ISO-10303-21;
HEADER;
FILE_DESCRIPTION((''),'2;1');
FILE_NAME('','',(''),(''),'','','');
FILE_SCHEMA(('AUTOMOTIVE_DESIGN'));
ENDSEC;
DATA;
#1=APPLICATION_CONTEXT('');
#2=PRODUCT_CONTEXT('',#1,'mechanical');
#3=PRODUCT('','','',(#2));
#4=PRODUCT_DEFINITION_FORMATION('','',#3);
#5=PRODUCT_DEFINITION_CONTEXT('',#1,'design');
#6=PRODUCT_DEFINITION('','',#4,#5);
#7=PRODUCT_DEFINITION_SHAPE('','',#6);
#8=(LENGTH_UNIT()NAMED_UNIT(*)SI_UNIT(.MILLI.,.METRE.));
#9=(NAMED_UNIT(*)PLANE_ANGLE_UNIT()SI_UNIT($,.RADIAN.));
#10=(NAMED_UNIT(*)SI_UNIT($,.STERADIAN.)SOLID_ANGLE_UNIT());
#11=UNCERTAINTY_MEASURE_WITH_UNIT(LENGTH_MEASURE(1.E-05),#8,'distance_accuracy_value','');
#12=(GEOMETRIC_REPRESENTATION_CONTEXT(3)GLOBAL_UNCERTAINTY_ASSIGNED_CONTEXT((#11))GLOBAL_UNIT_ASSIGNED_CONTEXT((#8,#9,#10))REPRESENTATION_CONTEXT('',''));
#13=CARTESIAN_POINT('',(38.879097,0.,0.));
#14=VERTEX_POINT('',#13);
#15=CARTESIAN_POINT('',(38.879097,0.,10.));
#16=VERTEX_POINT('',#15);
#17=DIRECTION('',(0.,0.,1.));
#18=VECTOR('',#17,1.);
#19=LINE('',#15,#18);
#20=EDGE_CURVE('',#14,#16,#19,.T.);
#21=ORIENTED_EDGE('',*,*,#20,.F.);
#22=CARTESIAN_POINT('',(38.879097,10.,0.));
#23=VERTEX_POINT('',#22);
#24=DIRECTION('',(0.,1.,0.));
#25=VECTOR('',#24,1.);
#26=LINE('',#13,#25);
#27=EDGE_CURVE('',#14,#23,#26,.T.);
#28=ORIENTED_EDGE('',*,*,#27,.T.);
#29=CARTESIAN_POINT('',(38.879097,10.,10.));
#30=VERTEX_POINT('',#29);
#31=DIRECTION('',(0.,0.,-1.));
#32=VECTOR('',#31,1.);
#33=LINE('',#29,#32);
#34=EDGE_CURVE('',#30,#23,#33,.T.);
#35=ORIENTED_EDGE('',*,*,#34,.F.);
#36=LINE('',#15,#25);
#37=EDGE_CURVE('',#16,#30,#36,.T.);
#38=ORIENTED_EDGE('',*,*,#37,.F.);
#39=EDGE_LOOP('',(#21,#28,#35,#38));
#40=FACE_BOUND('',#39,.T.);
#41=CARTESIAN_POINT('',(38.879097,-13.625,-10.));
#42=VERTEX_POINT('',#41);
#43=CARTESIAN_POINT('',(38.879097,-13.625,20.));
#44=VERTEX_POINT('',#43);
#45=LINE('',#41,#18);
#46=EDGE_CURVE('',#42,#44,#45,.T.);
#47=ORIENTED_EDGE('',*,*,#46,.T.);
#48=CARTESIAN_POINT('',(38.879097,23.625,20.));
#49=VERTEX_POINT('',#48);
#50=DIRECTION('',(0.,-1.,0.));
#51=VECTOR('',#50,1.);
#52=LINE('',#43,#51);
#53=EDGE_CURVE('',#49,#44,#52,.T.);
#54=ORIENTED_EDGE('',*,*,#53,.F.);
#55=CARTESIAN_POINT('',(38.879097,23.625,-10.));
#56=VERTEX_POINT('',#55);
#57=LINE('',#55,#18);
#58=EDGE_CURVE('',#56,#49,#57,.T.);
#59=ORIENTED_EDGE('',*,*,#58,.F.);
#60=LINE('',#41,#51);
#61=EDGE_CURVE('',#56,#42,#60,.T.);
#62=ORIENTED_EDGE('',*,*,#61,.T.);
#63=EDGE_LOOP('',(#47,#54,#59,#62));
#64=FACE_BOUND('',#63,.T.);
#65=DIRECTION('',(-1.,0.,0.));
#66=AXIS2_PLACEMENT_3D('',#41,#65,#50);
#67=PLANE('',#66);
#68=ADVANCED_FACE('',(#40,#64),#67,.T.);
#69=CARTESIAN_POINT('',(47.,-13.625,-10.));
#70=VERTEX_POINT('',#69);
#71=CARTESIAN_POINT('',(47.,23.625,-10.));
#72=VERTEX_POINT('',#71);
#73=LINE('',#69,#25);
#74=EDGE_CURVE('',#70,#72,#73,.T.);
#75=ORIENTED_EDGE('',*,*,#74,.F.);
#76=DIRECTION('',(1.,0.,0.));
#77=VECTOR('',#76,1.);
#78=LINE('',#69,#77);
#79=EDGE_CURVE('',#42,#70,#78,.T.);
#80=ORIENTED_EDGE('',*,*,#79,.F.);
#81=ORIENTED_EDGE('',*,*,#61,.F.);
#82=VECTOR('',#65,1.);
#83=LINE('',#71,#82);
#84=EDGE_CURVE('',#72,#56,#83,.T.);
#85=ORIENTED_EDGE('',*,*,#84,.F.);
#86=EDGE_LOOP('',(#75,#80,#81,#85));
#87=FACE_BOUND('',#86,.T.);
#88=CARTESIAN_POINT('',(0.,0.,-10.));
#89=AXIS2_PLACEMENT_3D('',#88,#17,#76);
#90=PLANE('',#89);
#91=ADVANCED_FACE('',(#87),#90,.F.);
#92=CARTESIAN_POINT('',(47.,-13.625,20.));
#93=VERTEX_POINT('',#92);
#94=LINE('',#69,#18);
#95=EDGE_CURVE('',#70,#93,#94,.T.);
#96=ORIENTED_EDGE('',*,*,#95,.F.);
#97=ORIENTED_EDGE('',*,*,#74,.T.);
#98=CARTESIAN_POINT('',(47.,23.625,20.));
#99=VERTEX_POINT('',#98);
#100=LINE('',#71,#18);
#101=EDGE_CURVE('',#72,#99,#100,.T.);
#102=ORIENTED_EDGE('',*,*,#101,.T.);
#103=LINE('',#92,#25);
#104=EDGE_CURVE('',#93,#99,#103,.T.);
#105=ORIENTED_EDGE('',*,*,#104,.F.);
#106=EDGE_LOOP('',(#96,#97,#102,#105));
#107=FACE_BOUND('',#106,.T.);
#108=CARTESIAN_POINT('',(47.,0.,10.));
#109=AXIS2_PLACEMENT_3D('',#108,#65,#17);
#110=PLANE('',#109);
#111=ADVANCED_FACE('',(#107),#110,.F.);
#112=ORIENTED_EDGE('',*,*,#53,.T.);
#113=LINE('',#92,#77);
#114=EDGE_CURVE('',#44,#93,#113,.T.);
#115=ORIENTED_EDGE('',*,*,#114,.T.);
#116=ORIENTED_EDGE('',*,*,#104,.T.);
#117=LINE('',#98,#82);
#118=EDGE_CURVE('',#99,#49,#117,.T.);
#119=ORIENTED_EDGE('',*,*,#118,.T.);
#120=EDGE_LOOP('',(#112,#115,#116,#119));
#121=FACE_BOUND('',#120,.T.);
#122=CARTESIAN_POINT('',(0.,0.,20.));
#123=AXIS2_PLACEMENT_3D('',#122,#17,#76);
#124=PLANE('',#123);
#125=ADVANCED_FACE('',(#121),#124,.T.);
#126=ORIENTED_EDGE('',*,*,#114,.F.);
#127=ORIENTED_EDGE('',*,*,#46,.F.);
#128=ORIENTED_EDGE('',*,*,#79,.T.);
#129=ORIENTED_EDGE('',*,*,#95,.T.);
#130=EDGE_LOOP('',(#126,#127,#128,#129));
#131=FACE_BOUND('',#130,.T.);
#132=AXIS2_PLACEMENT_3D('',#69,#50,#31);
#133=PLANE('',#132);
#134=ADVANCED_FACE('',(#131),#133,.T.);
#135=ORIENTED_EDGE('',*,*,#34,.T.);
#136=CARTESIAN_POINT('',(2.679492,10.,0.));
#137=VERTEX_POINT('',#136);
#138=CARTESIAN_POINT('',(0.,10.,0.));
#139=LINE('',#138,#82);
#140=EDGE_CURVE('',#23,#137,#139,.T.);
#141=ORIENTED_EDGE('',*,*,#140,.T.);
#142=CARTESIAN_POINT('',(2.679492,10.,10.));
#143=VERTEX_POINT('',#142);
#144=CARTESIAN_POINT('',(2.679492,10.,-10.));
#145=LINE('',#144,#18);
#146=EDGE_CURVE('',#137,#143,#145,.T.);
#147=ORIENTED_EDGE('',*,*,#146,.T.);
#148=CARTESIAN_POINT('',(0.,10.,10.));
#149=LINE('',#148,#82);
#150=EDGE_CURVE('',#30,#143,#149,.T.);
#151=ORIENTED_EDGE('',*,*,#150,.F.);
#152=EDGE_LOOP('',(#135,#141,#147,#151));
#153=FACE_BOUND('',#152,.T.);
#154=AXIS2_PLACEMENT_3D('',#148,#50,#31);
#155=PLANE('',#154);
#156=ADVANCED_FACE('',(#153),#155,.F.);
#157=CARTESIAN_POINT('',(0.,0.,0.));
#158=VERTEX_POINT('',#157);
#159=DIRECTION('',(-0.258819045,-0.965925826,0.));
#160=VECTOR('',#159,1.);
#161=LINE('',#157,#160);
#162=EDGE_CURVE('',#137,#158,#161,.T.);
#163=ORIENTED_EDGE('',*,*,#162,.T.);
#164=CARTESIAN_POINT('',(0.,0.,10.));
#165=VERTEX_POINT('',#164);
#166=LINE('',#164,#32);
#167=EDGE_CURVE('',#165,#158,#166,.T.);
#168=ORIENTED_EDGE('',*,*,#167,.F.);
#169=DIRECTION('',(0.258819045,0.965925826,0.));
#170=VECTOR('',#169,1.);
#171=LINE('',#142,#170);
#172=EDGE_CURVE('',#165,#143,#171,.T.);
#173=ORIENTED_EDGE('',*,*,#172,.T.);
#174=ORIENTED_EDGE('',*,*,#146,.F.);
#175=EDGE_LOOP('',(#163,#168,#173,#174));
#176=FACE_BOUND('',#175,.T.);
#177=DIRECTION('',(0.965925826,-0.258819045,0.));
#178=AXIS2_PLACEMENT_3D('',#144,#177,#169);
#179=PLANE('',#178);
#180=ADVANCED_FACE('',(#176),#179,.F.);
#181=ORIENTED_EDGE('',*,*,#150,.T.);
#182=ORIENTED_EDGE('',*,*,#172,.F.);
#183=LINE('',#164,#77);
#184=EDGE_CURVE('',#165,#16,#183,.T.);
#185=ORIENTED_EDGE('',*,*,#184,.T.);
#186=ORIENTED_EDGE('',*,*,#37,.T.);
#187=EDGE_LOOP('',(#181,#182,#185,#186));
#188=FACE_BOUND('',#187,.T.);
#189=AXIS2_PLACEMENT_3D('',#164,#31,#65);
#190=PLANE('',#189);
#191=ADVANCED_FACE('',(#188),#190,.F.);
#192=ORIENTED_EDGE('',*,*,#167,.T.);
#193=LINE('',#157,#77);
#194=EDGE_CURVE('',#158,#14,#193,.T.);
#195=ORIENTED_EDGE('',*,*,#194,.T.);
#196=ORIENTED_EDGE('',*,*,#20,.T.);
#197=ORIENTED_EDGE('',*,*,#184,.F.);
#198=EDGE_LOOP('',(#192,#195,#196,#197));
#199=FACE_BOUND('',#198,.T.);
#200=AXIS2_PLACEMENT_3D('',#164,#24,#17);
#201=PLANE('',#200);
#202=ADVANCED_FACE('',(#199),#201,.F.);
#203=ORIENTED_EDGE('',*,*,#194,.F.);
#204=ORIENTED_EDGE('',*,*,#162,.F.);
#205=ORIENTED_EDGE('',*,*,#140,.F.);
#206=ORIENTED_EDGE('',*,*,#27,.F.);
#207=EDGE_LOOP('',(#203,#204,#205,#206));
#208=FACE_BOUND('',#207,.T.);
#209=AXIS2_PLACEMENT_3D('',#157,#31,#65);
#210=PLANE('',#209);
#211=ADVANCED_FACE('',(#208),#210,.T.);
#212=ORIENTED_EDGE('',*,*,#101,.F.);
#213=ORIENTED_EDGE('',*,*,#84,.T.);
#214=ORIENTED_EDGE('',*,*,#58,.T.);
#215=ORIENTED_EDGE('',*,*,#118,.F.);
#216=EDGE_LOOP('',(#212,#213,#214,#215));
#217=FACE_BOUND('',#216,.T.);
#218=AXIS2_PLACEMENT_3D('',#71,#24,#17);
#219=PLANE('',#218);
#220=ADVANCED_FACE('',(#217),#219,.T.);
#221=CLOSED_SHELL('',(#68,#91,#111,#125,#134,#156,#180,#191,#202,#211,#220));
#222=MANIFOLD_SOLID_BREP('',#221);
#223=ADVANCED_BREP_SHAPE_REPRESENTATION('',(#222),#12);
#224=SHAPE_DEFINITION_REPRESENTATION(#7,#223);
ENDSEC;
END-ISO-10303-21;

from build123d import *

# Parameters (mm, degrees)
SKETCH1_W                = 47
SKETCH1_H                = 10
BOSS_EXTRUDE1_DEPTH      = 10
BOSS_EXTRUDE3_DEPTH      = 15
BOSS_EXTRUDE3_DEPTH_BACK = 15
SKETCH5_W                = 8.120903277
SKETCH5_H                = 37.25
CUT_EXTRUDE1_DEPTH       = 57.27735446


with BuildPart() as part:
    # Sketch1 → Boss-Extrude1 (new body)
    with BuildSketch(Plane.XY):
        with Locations((23.5, 5)):
            Rectangle(SKETCH1_W, SKETCH1_H)
    extrude(amount=BOSS_EXTRUDE1_DEPTH)

    # Sketch5 → Boss-Extrude3 (add, two sides: drawn at the far end of the back side and taken through both)
    with BuildSketch(Plane.XY.offset(5).offset(-BOSS_EXTRUDE3_DEPTH_BACK)):
        with Locations((42.939548362, 5)):
            Rectangle(SKETCH5_W, SKETCH5_H)
    extrude(amount=BOSS_EXTRUDE3_DEPTH + BOSS_EXTRUDE3_DEPTH_BACK)

    # Sketch6 → Cut-Extrude1 (cut, through all)
    with BuildSketch(Plane.XY.offset(10)):
        Polygon((0, 10), (2.679491924, 10), (0, 0), align=None)
    extrude(amount=-CUT_EXTRUDE1_DEPTH, mode=Mode.SUBTRACT)


solid = part.part
